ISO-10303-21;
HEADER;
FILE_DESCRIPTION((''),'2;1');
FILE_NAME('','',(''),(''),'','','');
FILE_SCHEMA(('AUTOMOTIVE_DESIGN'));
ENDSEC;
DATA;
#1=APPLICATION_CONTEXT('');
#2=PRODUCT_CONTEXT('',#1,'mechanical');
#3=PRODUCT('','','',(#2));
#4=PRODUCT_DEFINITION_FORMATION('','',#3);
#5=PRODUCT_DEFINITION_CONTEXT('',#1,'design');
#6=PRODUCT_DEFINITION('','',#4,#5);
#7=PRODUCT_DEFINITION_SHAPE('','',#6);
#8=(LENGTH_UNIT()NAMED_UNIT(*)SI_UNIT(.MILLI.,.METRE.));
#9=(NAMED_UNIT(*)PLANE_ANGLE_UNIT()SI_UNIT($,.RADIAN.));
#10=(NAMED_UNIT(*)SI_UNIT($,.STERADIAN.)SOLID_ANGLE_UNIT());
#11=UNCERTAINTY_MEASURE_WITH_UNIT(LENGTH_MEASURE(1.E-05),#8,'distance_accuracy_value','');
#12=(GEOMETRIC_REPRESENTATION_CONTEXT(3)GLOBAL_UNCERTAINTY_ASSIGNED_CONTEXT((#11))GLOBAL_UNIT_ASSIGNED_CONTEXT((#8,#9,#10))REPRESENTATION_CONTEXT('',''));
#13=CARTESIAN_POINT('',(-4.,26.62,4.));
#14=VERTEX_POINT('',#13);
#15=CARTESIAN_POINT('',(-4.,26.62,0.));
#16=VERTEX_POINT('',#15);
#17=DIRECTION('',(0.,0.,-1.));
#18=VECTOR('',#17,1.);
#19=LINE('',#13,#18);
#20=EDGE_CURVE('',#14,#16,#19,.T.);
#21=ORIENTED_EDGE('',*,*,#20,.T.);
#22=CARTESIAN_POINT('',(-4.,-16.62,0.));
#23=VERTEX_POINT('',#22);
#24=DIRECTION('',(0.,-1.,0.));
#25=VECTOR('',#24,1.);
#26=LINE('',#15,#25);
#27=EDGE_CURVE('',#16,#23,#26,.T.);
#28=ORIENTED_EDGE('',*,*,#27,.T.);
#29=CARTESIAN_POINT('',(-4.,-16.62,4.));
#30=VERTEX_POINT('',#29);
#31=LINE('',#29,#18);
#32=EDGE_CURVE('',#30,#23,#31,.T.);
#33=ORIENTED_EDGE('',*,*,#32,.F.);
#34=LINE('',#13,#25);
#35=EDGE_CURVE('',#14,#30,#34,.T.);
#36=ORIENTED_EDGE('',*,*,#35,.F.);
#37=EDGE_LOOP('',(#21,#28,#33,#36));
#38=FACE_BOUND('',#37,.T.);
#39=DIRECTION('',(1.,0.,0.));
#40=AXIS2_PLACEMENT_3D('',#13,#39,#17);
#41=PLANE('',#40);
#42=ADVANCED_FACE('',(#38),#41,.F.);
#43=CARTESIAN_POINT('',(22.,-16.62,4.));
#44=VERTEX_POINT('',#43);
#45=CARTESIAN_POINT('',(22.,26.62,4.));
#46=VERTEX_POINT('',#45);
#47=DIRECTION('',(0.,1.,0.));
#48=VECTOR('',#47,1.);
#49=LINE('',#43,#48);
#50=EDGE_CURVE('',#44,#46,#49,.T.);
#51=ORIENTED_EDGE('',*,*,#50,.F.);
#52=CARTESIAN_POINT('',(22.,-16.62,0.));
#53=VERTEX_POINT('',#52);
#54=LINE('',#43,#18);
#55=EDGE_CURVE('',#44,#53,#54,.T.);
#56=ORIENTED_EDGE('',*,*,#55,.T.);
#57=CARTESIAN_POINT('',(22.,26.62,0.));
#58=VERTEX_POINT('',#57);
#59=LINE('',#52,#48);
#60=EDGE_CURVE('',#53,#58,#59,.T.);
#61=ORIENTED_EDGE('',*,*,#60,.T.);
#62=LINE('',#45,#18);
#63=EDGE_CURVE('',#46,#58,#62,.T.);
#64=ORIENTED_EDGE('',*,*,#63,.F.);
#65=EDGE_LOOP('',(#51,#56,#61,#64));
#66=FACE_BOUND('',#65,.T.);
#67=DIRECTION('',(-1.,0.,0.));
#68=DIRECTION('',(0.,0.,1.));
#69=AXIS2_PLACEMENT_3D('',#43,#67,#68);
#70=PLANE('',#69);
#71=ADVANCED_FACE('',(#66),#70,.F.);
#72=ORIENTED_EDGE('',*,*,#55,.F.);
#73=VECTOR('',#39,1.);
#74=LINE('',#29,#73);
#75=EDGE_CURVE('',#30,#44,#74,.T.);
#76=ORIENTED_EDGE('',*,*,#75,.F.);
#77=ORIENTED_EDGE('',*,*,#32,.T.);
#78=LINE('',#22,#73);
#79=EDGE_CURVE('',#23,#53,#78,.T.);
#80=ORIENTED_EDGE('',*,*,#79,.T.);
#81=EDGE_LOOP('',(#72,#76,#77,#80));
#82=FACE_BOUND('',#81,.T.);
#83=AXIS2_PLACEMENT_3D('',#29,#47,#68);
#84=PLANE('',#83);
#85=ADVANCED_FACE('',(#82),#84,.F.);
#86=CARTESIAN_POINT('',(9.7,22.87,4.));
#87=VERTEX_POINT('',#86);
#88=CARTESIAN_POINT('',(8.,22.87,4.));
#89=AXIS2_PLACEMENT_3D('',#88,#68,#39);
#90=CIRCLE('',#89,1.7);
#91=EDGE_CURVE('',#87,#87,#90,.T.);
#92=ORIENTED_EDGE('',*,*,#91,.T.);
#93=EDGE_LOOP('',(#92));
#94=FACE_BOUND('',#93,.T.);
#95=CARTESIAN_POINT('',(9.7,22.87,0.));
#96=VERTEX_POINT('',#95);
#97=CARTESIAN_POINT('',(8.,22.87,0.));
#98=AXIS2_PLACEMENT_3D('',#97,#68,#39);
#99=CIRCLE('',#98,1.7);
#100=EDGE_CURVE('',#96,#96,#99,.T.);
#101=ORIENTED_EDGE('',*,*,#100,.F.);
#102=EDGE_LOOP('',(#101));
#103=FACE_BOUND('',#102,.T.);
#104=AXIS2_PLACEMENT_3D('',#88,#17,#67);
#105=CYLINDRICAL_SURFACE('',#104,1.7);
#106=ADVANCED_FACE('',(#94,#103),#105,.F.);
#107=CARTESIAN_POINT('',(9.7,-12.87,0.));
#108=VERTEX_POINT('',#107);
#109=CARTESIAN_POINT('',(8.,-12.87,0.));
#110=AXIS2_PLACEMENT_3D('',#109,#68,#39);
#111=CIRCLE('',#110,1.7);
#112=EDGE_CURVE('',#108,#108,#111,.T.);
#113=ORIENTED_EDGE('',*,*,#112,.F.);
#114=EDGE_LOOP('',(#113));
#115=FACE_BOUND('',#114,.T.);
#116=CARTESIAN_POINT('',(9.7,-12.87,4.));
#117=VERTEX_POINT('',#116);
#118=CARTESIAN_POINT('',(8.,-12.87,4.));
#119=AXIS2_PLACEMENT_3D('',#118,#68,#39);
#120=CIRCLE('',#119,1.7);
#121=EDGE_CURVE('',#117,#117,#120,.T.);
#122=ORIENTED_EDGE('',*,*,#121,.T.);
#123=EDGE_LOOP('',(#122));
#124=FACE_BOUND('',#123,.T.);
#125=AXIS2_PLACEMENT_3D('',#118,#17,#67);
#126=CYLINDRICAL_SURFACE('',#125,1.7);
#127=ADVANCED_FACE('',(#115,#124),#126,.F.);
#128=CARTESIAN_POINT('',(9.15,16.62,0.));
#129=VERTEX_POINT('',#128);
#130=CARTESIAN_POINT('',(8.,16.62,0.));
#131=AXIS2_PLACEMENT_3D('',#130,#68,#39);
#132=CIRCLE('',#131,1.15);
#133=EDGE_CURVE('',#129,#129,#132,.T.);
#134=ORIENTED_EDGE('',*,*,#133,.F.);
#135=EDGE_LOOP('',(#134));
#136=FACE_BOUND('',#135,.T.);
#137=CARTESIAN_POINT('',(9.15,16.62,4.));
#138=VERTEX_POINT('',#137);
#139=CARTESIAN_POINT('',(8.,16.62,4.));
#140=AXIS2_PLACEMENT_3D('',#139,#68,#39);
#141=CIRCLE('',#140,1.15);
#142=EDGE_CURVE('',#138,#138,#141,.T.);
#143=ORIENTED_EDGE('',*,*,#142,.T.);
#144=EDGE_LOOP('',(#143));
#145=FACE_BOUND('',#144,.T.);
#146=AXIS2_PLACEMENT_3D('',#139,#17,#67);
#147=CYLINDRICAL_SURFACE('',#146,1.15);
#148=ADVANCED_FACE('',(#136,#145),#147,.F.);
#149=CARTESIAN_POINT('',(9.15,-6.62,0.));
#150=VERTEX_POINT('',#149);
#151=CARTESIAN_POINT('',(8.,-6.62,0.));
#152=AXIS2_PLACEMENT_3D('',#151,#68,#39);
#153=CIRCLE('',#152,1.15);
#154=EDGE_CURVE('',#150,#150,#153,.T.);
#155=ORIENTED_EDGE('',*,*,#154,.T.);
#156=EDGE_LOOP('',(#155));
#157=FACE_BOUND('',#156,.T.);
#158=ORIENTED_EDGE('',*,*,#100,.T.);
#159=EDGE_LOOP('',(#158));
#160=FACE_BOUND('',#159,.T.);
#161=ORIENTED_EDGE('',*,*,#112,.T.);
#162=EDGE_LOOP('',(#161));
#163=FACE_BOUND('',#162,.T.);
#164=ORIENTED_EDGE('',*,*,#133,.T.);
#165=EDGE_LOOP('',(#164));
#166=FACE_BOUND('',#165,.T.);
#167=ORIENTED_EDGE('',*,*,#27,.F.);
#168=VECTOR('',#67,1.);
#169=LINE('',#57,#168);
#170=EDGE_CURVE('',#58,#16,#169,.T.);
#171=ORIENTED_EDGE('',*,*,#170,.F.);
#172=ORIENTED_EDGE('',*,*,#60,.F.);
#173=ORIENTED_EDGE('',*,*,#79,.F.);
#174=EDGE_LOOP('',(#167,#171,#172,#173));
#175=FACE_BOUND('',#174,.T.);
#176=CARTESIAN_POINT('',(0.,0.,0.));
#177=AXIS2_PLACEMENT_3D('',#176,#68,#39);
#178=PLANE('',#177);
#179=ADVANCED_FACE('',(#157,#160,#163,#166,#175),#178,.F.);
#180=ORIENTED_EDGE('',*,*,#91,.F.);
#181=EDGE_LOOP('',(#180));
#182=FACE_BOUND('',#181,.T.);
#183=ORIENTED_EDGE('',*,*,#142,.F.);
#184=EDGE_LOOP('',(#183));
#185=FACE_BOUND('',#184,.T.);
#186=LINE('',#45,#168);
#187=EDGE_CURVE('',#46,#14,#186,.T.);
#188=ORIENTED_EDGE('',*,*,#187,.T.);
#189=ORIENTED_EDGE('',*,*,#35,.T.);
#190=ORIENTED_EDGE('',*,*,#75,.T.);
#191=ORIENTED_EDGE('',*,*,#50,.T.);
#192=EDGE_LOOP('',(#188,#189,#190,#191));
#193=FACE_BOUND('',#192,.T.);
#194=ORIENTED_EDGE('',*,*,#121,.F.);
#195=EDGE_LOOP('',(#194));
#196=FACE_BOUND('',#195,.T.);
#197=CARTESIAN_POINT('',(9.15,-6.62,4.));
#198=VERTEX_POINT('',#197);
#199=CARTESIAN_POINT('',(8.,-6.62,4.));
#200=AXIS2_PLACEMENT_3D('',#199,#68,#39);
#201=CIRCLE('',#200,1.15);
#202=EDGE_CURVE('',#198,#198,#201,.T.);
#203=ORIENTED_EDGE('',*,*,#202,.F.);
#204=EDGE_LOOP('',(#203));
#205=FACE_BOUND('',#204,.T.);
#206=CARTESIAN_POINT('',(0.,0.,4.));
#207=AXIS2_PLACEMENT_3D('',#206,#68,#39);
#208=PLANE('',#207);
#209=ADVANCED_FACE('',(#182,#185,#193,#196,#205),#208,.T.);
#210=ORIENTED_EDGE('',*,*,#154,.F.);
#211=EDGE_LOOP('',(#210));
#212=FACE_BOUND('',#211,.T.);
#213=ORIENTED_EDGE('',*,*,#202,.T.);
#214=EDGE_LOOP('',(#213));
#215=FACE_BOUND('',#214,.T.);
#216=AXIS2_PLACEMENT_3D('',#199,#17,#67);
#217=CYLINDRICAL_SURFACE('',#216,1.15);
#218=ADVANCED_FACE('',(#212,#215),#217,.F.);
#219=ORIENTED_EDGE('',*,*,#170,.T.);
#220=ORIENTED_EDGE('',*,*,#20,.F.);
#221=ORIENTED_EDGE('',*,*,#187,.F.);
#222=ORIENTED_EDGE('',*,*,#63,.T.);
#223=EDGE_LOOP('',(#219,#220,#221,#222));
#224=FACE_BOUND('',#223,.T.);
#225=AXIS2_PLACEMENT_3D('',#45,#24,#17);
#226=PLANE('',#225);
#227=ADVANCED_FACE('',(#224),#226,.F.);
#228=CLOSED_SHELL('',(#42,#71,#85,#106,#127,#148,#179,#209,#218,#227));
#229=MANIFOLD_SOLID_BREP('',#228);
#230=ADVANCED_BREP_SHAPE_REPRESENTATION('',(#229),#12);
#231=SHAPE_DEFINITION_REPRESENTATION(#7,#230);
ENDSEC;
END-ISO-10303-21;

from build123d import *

# Parameters (mm, degrees)
SKETCH1_W           = 26
SKETCH1_H           = 43.24
SKETCH1_R           = 1.7
SKETCH1_R_2         = 1.15
BOSS_EXTRUDE1_DEPTH = 4


with BuildPart() as part:
    # Sketch1 → Boss-Extrude1 (new body)
    with BuildSketch(Plane.XY):
        with Locations((9, 5)):
            Rectangle(SKETCH1_W, SKETCH1_H)
        with Locations((8, -12.87)):
            Circle(SKETCH1_R, mode=Mode.SUBTRACT)
        with Locations((8, 22.87)):
            Circle(SKETCH1_R, mode=Mode.SUBTRACT)
        with Locations((8, -6.62)):
            Circle(SKETCH1_R_2, mode=Mode.SUBTRACT)
        with Locations((8, 16.62)):
            Circle(SKETCH1_R_2, mode=Mode.SUBTRACT)
    extrude(amount=BOSS_EXTRUDE1_DEPTH)


solid = part.part
